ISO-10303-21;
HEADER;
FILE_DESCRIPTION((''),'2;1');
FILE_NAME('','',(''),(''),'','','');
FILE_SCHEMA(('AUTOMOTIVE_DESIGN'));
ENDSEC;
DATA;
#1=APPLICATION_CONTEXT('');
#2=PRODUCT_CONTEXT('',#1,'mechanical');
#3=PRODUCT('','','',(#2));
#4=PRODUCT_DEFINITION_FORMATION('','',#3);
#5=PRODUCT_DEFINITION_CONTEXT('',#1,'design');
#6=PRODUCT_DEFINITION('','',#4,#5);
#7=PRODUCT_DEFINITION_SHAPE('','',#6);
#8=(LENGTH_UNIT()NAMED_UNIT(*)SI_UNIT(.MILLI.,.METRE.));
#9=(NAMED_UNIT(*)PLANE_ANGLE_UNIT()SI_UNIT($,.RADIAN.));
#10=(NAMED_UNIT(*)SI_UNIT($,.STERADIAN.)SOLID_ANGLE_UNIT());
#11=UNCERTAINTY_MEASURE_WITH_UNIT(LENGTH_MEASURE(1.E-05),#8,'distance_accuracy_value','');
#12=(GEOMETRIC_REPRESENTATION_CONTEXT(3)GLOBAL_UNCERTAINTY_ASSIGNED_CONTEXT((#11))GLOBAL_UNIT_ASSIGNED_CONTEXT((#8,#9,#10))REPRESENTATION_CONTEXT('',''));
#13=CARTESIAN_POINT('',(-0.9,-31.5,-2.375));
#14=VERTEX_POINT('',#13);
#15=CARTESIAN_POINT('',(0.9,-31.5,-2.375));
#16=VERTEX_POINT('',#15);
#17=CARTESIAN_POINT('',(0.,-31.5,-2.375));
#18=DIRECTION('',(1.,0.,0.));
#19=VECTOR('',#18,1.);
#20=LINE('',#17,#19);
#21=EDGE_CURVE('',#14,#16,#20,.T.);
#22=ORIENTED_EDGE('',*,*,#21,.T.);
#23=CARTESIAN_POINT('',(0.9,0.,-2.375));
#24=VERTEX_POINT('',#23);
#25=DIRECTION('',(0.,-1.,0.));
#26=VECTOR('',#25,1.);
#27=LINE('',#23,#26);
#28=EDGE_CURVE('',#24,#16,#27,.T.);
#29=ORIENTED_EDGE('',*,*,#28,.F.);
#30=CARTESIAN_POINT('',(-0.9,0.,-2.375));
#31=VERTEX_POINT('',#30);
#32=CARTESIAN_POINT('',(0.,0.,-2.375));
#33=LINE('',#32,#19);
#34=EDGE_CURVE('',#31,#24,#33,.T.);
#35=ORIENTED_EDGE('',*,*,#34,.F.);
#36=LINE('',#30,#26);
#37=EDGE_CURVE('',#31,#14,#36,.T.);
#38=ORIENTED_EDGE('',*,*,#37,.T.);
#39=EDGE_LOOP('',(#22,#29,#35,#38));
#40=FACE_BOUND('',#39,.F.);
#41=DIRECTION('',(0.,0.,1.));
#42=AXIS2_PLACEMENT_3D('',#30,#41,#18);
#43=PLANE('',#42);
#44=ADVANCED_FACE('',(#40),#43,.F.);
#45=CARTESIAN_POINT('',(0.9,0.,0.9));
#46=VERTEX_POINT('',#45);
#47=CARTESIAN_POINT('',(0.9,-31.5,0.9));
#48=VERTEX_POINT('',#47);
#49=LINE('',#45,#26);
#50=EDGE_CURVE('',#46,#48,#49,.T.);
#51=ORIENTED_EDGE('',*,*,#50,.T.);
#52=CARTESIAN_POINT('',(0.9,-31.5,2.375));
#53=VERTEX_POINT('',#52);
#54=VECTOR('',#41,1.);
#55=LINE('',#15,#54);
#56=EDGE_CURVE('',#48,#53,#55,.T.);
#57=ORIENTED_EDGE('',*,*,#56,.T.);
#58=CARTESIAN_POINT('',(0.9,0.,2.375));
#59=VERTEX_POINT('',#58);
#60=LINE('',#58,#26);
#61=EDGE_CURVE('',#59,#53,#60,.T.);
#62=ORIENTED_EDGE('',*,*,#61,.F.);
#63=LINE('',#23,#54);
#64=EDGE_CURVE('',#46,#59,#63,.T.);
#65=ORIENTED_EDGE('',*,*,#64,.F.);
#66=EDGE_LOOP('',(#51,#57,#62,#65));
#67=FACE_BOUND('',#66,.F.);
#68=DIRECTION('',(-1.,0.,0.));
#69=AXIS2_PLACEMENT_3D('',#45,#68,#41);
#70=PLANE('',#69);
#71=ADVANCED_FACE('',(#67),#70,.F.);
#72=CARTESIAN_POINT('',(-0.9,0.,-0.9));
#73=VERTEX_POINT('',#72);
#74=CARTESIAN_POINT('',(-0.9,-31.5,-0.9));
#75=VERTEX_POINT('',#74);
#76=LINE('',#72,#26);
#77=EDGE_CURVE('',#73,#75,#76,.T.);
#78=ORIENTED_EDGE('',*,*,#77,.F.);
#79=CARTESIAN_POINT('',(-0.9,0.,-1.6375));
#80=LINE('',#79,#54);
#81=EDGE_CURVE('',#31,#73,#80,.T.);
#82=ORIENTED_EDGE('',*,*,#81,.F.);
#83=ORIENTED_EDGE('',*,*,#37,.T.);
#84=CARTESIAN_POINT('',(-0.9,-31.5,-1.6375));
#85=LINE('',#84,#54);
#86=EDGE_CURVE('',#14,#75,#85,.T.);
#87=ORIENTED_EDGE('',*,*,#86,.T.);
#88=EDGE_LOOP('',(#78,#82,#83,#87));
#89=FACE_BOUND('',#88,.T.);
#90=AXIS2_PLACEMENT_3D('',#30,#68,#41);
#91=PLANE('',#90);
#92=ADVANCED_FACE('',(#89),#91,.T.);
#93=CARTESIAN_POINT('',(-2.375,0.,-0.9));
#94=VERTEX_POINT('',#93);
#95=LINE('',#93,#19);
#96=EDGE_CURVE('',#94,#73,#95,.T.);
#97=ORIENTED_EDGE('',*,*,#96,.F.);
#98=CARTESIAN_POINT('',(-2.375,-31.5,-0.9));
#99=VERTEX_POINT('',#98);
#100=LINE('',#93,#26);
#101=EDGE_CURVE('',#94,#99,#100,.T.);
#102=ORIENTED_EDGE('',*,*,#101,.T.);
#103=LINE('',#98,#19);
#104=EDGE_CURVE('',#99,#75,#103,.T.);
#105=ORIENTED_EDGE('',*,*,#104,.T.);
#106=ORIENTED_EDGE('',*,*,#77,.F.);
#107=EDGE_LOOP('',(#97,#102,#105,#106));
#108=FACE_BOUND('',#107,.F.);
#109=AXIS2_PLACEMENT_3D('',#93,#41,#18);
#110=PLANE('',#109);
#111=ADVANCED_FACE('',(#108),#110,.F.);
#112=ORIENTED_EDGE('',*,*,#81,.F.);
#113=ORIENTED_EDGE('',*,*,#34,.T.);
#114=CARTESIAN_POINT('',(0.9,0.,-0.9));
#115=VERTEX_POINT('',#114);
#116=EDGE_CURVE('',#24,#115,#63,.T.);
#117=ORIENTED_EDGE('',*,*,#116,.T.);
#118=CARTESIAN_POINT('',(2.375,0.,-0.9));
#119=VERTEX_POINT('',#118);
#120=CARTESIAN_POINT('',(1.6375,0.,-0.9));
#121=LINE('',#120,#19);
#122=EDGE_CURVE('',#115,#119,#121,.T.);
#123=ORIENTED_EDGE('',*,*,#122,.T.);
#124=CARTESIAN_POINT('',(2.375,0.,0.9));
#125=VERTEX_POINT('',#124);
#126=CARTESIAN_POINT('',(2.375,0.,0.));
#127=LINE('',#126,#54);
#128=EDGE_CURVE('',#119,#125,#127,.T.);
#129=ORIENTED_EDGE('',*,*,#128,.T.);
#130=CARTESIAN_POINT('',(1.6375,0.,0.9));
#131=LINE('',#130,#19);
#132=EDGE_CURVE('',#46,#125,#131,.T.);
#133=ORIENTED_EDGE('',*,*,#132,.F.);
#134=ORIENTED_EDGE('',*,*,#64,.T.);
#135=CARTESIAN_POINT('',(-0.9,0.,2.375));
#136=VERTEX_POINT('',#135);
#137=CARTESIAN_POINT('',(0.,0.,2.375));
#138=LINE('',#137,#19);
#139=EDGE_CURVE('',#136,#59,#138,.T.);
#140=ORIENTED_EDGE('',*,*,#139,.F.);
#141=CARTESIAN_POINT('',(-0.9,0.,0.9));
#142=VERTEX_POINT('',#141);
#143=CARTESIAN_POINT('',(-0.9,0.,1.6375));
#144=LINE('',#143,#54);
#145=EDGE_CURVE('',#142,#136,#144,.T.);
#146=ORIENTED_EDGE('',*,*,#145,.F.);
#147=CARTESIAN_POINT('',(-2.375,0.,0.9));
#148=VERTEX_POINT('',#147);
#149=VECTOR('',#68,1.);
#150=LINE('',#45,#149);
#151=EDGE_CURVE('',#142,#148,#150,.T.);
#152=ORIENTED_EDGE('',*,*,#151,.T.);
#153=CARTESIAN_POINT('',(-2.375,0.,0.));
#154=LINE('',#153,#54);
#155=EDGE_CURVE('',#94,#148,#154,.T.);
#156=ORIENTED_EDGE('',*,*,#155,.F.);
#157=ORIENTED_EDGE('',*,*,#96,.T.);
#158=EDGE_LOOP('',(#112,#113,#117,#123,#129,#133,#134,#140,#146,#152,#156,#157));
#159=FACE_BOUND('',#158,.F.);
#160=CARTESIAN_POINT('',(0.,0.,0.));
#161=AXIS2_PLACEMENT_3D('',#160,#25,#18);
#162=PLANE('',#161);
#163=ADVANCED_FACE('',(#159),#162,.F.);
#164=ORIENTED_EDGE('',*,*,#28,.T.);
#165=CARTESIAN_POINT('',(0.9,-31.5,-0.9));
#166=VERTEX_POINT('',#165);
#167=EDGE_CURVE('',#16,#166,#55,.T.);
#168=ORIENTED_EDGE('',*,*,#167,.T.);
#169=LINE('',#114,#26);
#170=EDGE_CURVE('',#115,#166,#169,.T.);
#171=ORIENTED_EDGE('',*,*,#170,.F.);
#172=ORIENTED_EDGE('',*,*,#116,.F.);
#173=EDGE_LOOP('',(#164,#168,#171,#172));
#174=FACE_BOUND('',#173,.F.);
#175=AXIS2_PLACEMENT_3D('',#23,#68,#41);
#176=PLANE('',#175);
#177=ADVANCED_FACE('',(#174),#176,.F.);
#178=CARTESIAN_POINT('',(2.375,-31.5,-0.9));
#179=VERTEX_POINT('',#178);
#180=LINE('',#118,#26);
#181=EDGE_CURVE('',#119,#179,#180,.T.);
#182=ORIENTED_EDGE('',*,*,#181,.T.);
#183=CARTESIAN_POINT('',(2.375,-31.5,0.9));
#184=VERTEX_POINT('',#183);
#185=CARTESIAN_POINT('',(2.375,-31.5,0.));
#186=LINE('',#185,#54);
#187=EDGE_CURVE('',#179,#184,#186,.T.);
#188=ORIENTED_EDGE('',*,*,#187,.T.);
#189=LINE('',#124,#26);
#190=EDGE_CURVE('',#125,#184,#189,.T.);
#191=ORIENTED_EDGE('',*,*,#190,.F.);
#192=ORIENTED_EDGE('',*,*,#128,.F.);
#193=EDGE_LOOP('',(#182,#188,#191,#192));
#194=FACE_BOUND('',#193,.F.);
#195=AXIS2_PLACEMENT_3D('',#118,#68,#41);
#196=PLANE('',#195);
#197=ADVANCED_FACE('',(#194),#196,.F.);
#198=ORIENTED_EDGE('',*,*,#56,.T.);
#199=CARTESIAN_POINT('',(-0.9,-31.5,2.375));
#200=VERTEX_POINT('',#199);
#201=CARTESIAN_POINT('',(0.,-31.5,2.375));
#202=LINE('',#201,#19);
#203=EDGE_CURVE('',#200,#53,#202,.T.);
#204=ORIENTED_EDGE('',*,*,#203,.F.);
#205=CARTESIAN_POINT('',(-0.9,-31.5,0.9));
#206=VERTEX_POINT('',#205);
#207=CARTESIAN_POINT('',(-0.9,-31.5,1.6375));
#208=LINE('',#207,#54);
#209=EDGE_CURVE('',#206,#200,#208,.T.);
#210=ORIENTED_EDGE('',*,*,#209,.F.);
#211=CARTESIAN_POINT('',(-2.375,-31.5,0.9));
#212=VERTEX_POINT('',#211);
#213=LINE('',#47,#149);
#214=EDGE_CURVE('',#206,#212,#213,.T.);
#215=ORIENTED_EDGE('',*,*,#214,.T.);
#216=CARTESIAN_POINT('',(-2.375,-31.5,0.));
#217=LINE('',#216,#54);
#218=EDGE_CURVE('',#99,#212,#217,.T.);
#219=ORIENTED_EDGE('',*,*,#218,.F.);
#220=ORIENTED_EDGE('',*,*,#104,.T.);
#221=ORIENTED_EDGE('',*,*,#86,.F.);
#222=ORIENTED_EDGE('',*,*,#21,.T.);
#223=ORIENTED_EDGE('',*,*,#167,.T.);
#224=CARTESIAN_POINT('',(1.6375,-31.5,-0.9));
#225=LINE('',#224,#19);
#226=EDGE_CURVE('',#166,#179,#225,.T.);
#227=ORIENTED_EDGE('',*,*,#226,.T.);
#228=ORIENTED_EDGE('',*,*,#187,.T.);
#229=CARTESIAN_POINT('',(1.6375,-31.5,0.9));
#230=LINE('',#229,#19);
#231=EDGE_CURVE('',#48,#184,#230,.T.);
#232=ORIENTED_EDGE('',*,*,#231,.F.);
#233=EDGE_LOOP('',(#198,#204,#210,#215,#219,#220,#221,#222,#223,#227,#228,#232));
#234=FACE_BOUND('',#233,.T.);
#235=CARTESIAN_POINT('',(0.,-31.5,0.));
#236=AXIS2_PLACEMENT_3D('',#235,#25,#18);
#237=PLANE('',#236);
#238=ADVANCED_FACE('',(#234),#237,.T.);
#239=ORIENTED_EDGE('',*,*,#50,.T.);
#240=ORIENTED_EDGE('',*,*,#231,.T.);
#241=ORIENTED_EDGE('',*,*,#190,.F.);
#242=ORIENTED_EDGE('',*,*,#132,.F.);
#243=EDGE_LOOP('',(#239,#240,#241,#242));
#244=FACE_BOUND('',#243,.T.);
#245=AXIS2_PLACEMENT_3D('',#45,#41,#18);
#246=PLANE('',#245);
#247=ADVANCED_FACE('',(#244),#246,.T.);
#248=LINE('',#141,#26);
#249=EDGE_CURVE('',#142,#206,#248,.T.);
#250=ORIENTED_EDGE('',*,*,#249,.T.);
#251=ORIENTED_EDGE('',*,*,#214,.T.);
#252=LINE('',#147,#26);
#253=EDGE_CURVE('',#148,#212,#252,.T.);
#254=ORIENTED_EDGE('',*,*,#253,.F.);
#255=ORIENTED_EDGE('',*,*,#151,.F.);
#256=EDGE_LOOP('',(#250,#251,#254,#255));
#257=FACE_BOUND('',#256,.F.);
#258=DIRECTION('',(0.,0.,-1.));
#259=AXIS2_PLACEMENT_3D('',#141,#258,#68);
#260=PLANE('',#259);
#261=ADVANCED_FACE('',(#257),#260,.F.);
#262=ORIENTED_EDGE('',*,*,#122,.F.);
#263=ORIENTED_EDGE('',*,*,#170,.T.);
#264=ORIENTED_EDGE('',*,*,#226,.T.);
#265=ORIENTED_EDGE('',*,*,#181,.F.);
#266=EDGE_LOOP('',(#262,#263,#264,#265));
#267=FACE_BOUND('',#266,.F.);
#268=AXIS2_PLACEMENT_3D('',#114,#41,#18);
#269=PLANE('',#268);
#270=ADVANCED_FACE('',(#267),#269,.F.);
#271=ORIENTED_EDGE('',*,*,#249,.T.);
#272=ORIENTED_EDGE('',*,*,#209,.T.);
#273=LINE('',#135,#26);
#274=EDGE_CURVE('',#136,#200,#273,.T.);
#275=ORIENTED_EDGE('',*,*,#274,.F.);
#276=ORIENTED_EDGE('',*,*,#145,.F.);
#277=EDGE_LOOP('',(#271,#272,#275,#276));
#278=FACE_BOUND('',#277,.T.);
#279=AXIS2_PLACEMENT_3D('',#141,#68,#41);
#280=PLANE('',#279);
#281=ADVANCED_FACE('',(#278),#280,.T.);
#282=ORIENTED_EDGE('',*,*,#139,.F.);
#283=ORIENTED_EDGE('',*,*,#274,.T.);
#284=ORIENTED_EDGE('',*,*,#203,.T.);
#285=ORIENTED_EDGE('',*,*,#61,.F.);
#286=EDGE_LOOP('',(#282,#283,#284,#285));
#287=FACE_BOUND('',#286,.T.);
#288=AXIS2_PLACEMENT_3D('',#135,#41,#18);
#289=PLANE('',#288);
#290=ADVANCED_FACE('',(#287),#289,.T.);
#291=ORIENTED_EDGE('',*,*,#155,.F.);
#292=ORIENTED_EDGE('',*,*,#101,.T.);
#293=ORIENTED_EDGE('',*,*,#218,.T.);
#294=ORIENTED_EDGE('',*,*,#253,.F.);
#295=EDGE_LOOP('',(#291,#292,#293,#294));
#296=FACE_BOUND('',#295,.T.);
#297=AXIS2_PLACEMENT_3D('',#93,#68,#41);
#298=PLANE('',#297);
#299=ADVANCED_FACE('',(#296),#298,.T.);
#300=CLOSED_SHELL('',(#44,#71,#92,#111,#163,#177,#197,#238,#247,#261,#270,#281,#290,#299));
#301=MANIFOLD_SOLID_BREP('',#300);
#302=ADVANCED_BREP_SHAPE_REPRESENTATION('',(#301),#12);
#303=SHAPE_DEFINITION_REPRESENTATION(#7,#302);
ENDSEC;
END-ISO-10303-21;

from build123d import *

# Parameters (mm, degrees)
F0_W     = 1.8
F0_H     = 1.8
F0_W_2   = 1.475
F0_H_2   = 1.475
F1_DEPTH = 31.5


with BuildPart() as f1:
    # F0 (on Front) → F1 (new body)
    with BuildSketch(Plane.XZ):
        Rectangle(F0_W, F0_H)
        with Locations((-1.6375, 0)):
            Rectangle(F0_W_2, F0_H)
        with Locations((0, 1.6375)):
            Rectangle(F0_W, F0_H_2)
        with Locations((0, -1.6375)):
            Rectangle(F0_W, F0_H_2)
        with Locations((1.6375, 0)):
            Rectangle(F0_W_2, F0_H)
    extrude(amount=F1_DEPTH)


solid = f1.part
